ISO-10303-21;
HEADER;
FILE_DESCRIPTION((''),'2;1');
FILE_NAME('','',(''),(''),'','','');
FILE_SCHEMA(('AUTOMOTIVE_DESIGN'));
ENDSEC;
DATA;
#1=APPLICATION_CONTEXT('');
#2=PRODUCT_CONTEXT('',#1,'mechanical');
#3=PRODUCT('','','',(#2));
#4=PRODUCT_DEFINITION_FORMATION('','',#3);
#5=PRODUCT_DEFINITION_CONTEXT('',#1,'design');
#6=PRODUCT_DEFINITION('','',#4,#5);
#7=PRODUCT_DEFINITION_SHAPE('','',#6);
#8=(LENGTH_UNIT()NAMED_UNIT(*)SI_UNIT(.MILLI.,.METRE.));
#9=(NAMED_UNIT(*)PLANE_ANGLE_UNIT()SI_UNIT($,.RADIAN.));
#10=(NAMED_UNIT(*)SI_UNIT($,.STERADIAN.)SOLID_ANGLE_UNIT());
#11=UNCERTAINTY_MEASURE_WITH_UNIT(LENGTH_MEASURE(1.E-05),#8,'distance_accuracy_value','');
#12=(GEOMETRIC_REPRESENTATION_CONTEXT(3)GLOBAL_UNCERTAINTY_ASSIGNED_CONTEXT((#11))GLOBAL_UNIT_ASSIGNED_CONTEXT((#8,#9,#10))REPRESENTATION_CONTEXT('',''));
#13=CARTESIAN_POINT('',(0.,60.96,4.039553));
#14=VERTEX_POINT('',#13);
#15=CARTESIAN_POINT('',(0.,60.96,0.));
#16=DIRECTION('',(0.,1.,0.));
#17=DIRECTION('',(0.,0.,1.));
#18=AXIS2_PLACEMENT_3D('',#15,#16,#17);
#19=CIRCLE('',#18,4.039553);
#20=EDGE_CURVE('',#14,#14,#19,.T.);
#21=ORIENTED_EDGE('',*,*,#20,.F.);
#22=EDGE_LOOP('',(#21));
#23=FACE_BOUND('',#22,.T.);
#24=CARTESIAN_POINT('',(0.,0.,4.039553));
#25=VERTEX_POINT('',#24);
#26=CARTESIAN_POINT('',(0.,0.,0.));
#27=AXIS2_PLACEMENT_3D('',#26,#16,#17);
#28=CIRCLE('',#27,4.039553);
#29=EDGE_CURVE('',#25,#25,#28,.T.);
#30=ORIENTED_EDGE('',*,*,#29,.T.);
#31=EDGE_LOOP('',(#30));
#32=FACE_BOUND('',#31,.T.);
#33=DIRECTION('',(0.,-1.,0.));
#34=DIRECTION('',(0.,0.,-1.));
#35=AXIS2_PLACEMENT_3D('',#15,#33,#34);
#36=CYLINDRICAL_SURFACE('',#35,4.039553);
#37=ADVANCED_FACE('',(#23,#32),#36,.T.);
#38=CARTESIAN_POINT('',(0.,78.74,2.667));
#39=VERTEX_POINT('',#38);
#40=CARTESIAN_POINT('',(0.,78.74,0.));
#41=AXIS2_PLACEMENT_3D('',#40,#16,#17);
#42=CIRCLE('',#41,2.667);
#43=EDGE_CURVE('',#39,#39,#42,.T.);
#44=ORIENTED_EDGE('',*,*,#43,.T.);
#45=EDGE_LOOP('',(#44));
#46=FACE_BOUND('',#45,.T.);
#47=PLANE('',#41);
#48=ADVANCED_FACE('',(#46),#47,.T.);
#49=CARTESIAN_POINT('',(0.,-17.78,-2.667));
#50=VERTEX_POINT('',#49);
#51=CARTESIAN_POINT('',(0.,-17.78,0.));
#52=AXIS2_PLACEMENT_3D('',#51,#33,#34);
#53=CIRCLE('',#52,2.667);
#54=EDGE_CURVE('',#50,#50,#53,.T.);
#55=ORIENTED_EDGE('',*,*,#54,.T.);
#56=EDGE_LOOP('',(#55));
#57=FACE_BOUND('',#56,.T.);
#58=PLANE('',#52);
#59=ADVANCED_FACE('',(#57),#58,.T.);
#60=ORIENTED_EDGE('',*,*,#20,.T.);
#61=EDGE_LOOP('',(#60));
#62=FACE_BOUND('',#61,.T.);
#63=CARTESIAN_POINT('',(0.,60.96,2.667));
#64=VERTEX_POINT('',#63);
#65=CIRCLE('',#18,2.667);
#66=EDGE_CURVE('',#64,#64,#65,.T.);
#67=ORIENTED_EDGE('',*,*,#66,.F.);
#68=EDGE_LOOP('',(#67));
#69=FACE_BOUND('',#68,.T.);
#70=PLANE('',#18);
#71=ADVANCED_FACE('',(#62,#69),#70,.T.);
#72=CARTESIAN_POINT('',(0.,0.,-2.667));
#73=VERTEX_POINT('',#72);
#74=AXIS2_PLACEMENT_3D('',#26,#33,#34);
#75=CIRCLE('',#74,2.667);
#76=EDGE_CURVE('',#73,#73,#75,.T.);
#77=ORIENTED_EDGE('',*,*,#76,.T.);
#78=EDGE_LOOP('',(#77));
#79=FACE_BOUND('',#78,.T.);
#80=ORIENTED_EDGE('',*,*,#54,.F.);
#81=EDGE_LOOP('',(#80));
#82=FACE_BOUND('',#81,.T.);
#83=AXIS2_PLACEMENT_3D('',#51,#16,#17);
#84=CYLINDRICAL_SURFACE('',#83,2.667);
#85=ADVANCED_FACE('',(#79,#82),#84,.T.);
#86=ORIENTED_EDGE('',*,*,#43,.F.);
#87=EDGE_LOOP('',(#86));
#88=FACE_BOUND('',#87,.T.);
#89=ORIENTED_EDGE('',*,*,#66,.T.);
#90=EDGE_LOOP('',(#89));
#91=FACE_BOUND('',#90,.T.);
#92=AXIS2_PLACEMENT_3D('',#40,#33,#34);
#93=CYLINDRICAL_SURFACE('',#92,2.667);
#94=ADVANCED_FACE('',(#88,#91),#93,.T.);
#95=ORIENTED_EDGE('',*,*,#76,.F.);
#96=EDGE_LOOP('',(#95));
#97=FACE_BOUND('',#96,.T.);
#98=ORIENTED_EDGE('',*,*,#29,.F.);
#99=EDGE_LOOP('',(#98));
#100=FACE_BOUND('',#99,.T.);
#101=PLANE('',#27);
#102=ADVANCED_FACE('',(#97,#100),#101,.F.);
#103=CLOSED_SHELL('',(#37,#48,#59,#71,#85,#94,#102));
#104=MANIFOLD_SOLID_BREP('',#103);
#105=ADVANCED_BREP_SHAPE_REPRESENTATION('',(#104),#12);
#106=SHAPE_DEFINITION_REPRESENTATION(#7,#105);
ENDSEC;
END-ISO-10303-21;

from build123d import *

# Parameters (mm, degrees)
SKETCH2_R           = 4.039553008
BOSS_EXTRUDE1_DEPTH = 60.96
SKETCH6_R           = 2.667
BOSS_EXTRUDE2_DEPTH = 17.78
SKETCH5_R           = 2.667
BOSS_EXTRUDE3_DEPTH = 17.78


with BuildPart() as part:
    # Sketch2 → Boss-Extrude1 (new body)
    with BuildSketch(Plane(origin=(0, 0, 0), x_dir=(1, 0, 0), z_dir=(0, 1, 0))):
        Circle(SKETCH2_R)
    extrude(amount=BOSS_EXTRUDE1_DEPTH)

    # Sketch6 → Boss-Extrude2 (add)
    with BuildSketch(Plane(origin=(0, 60.96, 0), x_dir=(1, 0, 0), z_dir=(0, 1, 0))):
        Circle(SKETCH6_R)
    extrude(amount=BOSS_EXTRUDE2_DEPTH)

    # Sketch5 → Boss-Extrude3 (add)
    with BuildSketch(Plane(origin=(0, 0, 0), x_dir=(-1, 0, 0), z_dir=(0, -1, 0))):
        Circle(SKETCH5_R)
    extrude(amount=BOSS_EXTRUDE3_DEPTH)


solid = part.part
